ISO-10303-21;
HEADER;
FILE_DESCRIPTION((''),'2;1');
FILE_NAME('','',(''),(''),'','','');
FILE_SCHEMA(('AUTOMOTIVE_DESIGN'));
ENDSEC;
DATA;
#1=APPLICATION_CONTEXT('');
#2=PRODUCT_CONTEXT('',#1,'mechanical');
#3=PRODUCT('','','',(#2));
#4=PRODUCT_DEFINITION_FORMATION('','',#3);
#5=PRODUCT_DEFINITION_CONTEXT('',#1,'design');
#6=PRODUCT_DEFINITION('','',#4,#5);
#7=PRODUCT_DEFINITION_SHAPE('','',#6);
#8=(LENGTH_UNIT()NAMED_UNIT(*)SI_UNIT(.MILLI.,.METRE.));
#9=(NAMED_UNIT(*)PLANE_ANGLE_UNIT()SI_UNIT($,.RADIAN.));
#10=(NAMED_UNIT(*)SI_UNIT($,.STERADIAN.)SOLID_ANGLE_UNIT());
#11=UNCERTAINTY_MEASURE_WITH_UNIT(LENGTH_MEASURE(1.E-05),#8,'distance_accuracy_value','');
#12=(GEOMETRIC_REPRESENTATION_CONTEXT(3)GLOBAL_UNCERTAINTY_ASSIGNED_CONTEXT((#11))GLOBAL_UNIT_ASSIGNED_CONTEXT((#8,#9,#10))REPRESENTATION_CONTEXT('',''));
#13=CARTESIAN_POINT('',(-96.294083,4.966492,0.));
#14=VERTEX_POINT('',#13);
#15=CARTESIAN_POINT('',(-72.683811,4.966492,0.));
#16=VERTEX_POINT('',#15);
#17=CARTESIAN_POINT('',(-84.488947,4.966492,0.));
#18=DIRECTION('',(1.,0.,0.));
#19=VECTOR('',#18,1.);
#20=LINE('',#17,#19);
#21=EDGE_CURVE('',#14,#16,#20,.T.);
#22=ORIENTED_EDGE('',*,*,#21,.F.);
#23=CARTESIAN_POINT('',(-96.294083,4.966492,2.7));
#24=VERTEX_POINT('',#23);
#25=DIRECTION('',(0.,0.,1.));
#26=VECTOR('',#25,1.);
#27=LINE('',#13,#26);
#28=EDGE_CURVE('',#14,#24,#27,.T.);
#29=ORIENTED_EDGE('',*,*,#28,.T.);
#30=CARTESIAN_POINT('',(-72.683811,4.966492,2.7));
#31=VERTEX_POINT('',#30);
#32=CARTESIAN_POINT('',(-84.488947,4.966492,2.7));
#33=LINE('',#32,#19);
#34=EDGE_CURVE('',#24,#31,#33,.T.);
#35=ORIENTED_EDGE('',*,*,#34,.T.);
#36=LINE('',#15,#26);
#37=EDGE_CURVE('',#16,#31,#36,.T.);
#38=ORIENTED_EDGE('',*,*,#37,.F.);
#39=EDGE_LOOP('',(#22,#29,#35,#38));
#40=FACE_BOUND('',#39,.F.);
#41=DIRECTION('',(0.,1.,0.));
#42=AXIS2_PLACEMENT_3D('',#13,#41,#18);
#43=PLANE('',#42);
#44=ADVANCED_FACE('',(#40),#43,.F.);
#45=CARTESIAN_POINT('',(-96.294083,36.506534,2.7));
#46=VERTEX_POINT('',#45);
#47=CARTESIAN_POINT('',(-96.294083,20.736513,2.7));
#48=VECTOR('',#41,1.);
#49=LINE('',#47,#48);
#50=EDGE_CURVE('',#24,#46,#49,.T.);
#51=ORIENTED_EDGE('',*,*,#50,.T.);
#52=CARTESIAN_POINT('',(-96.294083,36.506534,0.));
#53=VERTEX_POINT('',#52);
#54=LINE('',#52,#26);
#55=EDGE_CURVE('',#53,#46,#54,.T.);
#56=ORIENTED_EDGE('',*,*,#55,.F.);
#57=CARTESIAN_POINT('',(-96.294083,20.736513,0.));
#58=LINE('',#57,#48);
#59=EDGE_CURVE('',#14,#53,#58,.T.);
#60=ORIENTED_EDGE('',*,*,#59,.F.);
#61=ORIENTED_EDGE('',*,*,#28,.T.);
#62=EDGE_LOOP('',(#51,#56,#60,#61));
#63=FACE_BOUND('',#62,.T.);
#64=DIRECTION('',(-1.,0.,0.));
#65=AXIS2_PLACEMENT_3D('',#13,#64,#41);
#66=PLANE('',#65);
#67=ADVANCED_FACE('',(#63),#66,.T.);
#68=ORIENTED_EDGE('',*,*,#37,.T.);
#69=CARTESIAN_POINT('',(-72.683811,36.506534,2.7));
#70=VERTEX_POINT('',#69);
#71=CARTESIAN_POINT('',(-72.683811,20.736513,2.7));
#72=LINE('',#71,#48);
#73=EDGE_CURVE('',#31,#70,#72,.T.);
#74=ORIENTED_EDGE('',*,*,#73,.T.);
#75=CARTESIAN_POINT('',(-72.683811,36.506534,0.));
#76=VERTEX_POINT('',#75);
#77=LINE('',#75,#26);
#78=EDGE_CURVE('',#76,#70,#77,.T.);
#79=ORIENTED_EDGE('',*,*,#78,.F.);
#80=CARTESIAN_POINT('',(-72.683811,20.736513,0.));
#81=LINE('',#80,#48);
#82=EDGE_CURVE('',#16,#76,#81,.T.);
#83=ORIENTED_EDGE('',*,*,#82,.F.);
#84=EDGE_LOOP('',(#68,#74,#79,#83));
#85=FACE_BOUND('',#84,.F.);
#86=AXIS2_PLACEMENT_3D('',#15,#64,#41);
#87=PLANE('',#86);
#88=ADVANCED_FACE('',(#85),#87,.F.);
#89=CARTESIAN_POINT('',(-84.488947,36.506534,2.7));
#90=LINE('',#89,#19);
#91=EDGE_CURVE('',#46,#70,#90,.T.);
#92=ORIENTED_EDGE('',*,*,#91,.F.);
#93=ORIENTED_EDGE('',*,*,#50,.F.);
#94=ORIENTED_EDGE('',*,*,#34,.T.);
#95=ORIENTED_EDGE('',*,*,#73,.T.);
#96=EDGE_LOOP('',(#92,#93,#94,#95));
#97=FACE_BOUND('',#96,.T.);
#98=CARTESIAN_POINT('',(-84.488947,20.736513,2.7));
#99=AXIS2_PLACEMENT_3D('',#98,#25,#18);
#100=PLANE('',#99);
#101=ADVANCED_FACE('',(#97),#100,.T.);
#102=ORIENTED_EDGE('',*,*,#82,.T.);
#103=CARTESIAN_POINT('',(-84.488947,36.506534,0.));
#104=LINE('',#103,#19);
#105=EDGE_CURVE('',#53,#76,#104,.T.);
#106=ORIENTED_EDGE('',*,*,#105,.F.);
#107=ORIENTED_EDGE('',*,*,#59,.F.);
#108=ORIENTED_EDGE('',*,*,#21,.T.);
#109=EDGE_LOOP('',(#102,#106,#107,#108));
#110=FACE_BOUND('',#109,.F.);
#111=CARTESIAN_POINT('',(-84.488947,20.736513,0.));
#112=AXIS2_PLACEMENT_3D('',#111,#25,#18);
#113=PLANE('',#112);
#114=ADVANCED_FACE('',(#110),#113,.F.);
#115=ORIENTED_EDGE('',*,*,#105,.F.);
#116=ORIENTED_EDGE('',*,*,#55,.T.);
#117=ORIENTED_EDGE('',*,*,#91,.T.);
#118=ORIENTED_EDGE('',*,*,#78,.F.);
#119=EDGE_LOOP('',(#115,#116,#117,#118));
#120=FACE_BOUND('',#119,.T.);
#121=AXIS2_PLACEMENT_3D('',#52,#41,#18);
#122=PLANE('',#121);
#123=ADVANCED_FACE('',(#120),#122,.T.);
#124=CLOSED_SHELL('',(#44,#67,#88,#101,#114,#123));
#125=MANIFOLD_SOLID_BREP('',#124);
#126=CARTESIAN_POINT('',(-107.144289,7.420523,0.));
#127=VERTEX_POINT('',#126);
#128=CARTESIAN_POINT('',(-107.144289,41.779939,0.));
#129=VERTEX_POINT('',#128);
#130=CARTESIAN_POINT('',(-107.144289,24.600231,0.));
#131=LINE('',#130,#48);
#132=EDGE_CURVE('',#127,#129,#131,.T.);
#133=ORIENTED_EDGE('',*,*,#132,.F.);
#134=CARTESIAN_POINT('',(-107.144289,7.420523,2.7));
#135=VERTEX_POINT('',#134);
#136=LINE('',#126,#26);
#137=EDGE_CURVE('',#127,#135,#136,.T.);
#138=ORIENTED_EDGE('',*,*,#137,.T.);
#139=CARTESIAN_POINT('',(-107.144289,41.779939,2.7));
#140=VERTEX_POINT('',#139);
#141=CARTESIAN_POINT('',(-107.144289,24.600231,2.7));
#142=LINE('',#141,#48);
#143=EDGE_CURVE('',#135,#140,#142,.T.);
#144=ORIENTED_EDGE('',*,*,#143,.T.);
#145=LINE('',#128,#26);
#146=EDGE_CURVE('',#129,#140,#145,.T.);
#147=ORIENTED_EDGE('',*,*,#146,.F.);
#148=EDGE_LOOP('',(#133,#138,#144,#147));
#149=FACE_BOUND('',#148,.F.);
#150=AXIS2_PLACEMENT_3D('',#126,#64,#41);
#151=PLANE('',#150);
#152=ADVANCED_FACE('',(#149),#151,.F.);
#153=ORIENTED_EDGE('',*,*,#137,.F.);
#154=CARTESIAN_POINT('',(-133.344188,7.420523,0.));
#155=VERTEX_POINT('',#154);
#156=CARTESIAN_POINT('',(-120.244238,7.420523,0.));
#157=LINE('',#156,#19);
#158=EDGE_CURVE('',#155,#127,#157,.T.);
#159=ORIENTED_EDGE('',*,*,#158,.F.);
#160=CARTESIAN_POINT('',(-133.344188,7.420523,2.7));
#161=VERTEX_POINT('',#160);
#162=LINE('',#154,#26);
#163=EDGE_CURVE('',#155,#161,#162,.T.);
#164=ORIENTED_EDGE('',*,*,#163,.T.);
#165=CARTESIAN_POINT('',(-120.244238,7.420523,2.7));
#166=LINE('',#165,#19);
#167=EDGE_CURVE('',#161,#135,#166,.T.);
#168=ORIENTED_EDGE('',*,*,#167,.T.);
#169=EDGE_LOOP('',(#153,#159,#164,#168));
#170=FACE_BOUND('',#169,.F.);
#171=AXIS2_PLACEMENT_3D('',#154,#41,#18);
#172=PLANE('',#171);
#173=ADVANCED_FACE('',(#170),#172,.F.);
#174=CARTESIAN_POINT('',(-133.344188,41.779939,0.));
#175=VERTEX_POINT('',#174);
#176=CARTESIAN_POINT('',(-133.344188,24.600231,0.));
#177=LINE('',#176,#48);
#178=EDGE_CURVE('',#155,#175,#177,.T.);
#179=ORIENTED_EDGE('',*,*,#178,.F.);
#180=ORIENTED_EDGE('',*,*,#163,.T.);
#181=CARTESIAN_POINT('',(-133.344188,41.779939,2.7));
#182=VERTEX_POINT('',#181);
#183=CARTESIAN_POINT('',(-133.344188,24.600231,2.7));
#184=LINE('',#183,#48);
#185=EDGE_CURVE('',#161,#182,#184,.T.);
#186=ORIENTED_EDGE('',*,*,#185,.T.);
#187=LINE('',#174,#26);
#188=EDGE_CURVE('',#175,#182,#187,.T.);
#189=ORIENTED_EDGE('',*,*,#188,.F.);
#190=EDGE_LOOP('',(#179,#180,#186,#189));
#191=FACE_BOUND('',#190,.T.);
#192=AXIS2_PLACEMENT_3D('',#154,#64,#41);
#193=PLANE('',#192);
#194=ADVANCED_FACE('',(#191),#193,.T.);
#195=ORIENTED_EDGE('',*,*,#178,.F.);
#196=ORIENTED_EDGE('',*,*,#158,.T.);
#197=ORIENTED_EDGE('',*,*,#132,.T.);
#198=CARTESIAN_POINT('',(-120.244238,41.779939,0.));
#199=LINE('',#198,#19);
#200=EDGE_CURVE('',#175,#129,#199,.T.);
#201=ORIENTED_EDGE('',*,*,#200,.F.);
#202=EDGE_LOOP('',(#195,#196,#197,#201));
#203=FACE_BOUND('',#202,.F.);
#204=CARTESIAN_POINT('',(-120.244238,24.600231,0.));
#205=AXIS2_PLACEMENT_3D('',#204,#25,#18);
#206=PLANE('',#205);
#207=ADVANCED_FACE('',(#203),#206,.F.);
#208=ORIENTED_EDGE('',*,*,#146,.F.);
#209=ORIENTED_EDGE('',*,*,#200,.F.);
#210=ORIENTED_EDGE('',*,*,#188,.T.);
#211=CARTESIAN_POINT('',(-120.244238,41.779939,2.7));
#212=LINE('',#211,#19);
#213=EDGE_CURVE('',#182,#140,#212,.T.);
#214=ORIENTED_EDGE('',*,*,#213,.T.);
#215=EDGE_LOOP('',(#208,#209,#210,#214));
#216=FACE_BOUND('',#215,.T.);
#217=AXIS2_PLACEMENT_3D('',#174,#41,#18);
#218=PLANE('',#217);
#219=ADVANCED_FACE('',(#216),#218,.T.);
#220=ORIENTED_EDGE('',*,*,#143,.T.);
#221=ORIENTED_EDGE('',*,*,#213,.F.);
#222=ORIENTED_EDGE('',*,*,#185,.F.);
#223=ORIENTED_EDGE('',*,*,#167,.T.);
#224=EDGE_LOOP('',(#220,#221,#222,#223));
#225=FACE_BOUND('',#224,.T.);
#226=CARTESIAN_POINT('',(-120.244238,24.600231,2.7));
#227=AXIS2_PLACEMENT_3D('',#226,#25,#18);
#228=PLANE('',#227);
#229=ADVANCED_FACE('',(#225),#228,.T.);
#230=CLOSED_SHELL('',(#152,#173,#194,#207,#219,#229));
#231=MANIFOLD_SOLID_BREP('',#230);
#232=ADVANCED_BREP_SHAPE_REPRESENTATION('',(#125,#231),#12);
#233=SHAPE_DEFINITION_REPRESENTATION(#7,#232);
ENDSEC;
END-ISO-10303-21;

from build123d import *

# Parameters (mm, degrees)
F0_W     = 26.199899
F0_H     = 34.359416
F0_W_2   = 23.610272
F0_H_2   = 31.540042
F1_DEPTH = 2.7


with BuildPart() as f1:
    # F0 (on Top) → F1 (new body)
    with BuildSketch(Plane.XY):
        with Locations((-120.244238, 24.600231)):
            Rectangle(F0_W, F0_H)
        with Locations((-84.488947, 20.736513)):
            Rectangle(F0_W_2, F0_H_2)
    extrude(amount=F1_DEPTH)


solid = f1.part
